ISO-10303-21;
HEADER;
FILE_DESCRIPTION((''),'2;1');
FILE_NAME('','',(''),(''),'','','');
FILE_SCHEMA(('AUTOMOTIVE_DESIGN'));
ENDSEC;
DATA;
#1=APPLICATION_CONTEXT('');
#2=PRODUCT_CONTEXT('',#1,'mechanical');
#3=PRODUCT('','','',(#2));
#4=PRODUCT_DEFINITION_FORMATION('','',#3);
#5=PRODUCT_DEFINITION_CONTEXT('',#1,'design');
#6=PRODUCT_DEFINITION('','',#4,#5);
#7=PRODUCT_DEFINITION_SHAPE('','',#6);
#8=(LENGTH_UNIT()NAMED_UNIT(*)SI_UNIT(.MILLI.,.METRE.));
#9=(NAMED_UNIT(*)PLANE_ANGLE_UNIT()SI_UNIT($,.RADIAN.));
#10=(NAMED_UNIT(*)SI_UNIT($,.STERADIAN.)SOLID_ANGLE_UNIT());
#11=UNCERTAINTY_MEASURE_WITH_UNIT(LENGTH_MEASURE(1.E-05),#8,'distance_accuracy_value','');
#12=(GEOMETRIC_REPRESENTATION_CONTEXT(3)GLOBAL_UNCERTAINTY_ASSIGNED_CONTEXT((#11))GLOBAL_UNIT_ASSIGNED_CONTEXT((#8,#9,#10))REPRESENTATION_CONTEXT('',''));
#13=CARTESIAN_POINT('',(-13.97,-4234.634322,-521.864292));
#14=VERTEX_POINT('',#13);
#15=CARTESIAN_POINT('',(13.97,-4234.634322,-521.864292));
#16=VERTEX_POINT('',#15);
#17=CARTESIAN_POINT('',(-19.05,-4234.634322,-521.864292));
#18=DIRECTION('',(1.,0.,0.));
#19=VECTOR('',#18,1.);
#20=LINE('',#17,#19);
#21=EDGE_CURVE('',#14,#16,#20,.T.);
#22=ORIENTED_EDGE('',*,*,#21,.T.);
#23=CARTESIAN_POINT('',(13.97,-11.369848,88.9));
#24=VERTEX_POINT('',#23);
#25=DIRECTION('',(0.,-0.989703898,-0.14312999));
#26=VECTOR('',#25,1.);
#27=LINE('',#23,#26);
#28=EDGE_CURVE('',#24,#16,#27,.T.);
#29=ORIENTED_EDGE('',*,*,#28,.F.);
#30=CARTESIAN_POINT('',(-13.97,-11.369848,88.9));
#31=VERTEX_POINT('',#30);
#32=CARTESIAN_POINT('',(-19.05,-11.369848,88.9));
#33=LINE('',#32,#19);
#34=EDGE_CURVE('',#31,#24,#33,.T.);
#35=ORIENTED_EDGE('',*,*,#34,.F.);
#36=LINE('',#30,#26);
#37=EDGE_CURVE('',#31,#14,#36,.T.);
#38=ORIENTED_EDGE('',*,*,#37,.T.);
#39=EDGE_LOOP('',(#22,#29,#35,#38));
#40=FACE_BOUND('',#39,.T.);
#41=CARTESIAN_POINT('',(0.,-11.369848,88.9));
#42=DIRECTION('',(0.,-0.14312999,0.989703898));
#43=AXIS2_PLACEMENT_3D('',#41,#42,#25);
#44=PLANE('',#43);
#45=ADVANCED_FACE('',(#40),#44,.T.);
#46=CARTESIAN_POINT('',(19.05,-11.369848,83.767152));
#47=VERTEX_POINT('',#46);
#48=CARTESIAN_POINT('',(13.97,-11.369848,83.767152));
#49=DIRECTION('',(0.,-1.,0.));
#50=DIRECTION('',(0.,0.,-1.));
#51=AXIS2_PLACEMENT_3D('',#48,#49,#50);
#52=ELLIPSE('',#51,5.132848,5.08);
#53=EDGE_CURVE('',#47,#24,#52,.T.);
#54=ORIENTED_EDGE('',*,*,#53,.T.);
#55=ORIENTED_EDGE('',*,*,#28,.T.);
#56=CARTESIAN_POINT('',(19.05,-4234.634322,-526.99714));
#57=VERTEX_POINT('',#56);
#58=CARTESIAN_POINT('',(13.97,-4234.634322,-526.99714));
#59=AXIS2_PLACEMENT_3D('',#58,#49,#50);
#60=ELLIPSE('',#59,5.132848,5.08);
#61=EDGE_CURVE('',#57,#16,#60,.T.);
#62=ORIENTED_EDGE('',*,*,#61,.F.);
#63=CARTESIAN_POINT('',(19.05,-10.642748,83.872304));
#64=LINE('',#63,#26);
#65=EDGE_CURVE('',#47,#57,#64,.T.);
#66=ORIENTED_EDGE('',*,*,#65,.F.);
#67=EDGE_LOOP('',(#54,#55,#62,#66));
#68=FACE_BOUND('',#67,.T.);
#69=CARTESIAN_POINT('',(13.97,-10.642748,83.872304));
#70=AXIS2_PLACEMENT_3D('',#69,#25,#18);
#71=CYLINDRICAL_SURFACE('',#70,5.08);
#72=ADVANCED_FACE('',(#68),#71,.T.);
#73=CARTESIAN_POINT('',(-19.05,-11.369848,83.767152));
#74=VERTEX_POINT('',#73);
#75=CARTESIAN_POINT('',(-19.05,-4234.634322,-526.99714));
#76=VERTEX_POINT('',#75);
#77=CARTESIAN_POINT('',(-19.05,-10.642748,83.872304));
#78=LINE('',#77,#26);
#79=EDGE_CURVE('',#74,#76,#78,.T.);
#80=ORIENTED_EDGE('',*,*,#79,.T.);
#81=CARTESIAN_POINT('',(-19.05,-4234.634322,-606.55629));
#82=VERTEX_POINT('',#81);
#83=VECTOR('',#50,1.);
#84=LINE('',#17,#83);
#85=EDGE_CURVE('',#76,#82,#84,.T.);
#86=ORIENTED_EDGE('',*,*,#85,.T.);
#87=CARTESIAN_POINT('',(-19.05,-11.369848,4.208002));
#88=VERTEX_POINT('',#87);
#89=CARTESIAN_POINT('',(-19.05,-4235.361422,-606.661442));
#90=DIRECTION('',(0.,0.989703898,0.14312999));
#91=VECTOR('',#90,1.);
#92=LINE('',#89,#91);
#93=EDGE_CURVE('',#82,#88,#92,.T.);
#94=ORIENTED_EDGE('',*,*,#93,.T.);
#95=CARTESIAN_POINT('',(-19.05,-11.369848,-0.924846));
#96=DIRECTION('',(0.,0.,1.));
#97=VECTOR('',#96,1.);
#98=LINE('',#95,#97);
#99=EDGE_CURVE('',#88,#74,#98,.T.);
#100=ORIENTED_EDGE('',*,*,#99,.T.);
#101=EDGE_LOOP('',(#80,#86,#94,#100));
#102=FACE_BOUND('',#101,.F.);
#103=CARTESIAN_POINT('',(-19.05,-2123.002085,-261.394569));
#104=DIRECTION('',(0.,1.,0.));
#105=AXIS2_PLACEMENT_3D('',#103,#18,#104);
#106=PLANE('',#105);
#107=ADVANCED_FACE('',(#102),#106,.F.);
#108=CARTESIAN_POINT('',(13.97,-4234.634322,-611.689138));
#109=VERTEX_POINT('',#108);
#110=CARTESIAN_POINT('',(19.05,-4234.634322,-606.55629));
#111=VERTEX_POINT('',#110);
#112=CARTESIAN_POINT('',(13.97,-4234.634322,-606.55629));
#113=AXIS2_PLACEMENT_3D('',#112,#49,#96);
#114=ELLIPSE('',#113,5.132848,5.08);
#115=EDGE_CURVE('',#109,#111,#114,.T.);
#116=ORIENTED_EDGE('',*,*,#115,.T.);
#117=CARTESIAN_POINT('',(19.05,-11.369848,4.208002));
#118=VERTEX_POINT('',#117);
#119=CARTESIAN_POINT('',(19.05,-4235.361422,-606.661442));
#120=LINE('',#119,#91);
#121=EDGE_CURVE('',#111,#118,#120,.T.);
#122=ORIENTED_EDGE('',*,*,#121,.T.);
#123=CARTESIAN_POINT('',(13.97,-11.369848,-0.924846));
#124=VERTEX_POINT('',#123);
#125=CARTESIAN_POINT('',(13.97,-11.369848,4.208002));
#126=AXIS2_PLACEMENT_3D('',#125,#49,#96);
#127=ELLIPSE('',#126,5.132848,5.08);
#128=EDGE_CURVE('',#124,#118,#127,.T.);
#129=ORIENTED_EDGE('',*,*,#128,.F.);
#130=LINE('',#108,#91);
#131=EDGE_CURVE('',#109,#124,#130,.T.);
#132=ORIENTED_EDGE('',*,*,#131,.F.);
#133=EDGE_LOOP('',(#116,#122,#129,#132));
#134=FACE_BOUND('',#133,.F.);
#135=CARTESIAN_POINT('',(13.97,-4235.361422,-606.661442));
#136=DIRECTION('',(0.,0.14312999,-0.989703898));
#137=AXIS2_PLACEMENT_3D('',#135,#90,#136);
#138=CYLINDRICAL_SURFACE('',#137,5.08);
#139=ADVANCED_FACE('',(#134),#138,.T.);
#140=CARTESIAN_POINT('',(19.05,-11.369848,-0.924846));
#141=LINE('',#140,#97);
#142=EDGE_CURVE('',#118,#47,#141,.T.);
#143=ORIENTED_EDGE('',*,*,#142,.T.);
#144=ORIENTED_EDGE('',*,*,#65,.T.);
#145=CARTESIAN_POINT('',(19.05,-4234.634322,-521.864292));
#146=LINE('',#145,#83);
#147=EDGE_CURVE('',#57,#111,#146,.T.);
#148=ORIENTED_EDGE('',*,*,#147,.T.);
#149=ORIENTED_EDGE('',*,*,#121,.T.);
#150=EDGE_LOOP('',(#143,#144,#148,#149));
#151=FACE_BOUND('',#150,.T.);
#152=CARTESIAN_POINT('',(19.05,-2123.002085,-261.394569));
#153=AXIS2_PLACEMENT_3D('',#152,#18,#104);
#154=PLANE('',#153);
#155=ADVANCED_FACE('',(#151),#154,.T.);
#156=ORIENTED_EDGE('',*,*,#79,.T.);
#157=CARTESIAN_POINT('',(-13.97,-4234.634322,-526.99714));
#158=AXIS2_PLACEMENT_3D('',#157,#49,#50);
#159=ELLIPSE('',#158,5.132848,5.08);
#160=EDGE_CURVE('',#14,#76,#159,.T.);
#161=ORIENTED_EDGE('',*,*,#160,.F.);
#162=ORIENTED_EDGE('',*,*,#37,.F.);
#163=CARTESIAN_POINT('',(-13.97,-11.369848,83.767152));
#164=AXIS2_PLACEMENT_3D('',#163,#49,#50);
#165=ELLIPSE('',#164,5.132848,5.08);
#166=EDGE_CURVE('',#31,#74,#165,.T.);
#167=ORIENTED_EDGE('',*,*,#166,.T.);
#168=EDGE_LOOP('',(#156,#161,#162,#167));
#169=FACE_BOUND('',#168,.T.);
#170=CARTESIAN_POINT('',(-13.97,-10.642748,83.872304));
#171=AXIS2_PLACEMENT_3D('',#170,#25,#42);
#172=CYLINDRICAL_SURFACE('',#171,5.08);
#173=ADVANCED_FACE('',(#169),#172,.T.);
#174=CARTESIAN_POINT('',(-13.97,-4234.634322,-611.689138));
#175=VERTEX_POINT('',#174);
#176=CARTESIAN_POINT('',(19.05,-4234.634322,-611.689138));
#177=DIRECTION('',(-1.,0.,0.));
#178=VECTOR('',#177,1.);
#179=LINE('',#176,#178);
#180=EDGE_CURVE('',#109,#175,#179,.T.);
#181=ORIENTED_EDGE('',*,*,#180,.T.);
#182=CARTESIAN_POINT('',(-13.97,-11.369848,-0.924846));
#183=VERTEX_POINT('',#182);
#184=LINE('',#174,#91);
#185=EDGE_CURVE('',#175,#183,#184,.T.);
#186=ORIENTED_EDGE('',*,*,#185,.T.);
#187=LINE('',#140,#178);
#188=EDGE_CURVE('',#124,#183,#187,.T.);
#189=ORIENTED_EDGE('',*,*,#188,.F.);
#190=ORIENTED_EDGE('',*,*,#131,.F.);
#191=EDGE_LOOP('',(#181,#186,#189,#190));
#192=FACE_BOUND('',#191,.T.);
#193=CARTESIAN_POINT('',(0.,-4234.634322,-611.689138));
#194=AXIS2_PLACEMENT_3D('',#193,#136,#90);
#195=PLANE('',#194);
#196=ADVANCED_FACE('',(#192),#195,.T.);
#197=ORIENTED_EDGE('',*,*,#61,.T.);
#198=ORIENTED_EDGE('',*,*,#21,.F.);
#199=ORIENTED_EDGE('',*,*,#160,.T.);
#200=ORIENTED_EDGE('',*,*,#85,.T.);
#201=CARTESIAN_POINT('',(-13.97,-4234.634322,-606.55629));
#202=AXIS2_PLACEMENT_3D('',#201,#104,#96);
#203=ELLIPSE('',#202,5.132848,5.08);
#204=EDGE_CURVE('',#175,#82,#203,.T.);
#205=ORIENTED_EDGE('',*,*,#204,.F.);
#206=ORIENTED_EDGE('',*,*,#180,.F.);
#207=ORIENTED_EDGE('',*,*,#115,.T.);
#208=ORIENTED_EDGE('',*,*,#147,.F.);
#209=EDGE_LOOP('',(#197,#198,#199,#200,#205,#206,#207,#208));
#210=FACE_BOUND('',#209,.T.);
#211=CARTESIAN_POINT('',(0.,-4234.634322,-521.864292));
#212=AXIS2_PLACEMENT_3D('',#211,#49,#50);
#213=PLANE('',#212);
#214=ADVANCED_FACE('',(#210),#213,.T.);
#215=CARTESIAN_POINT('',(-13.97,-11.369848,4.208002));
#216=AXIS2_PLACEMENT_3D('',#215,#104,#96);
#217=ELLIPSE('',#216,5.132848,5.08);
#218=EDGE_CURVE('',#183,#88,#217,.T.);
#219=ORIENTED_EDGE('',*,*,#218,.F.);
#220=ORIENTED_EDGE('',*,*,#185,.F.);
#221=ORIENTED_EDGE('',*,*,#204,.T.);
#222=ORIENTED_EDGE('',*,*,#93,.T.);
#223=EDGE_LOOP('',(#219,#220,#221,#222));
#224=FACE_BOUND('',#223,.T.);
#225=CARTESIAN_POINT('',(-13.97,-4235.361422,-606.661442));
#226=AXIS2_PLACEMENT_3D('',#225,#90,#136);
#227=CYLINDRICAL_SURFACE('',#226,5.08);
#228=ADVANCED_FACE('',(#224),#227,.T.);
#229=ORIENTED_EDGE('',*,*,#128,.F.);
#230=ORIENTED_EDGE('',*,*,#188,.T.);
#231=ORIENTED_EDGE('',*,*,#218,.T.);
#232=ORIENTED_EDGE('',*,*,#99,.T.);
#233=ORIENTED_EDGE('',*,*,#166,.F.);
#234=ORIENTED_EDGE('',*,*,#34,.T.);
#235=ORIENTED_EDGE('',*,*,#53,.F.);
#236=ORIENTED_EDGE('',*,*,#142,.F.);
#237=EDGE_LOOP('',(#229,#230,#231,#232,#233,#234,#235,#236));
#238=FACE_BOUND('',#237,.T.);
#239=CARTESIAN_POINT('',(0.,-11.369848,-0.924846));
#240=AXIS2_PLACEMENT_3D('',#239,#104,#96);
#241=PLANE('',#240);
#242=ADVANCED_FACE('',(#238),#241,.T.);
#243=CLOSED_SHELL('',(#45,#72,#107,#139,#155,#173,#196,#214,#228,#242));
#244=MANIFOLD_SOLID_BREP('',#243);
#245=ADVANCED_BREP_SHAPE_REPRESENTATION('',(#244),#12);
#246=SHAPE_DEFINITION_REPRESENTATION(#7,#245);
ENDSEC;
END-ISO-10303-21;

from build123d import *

# Parameters (mm, degrees)
F1_DEPTH = 19.05
F2_R     = 5.08


with BuildPart() as f1:
    # F0 (on Right) → F1 (new body, symmetric)
    with BuildSketch(Plane.YZ):
        Polygon((-11.369848, -0.924846), (-11.369848, 88.9), (-4234.634322, -521.864292), (-4234.634322, -611.689138), align=None)
    extrude(amount=F1_DEPTH, both=True)

    # F2
    f2_edges = [f1.edges().sort_by_distance(p)[0] for p in [
        (19.05, -2123.002085, -216.482146),
        (-19.05, -2123.002085, -216.482146),
        (19.05, -2123.002085, -306.306992),
        (-19.05, -2123.002085, -306.306992),
    ]]
    fillet(f2_edges, radius=F2_R)


solid = f1.part
